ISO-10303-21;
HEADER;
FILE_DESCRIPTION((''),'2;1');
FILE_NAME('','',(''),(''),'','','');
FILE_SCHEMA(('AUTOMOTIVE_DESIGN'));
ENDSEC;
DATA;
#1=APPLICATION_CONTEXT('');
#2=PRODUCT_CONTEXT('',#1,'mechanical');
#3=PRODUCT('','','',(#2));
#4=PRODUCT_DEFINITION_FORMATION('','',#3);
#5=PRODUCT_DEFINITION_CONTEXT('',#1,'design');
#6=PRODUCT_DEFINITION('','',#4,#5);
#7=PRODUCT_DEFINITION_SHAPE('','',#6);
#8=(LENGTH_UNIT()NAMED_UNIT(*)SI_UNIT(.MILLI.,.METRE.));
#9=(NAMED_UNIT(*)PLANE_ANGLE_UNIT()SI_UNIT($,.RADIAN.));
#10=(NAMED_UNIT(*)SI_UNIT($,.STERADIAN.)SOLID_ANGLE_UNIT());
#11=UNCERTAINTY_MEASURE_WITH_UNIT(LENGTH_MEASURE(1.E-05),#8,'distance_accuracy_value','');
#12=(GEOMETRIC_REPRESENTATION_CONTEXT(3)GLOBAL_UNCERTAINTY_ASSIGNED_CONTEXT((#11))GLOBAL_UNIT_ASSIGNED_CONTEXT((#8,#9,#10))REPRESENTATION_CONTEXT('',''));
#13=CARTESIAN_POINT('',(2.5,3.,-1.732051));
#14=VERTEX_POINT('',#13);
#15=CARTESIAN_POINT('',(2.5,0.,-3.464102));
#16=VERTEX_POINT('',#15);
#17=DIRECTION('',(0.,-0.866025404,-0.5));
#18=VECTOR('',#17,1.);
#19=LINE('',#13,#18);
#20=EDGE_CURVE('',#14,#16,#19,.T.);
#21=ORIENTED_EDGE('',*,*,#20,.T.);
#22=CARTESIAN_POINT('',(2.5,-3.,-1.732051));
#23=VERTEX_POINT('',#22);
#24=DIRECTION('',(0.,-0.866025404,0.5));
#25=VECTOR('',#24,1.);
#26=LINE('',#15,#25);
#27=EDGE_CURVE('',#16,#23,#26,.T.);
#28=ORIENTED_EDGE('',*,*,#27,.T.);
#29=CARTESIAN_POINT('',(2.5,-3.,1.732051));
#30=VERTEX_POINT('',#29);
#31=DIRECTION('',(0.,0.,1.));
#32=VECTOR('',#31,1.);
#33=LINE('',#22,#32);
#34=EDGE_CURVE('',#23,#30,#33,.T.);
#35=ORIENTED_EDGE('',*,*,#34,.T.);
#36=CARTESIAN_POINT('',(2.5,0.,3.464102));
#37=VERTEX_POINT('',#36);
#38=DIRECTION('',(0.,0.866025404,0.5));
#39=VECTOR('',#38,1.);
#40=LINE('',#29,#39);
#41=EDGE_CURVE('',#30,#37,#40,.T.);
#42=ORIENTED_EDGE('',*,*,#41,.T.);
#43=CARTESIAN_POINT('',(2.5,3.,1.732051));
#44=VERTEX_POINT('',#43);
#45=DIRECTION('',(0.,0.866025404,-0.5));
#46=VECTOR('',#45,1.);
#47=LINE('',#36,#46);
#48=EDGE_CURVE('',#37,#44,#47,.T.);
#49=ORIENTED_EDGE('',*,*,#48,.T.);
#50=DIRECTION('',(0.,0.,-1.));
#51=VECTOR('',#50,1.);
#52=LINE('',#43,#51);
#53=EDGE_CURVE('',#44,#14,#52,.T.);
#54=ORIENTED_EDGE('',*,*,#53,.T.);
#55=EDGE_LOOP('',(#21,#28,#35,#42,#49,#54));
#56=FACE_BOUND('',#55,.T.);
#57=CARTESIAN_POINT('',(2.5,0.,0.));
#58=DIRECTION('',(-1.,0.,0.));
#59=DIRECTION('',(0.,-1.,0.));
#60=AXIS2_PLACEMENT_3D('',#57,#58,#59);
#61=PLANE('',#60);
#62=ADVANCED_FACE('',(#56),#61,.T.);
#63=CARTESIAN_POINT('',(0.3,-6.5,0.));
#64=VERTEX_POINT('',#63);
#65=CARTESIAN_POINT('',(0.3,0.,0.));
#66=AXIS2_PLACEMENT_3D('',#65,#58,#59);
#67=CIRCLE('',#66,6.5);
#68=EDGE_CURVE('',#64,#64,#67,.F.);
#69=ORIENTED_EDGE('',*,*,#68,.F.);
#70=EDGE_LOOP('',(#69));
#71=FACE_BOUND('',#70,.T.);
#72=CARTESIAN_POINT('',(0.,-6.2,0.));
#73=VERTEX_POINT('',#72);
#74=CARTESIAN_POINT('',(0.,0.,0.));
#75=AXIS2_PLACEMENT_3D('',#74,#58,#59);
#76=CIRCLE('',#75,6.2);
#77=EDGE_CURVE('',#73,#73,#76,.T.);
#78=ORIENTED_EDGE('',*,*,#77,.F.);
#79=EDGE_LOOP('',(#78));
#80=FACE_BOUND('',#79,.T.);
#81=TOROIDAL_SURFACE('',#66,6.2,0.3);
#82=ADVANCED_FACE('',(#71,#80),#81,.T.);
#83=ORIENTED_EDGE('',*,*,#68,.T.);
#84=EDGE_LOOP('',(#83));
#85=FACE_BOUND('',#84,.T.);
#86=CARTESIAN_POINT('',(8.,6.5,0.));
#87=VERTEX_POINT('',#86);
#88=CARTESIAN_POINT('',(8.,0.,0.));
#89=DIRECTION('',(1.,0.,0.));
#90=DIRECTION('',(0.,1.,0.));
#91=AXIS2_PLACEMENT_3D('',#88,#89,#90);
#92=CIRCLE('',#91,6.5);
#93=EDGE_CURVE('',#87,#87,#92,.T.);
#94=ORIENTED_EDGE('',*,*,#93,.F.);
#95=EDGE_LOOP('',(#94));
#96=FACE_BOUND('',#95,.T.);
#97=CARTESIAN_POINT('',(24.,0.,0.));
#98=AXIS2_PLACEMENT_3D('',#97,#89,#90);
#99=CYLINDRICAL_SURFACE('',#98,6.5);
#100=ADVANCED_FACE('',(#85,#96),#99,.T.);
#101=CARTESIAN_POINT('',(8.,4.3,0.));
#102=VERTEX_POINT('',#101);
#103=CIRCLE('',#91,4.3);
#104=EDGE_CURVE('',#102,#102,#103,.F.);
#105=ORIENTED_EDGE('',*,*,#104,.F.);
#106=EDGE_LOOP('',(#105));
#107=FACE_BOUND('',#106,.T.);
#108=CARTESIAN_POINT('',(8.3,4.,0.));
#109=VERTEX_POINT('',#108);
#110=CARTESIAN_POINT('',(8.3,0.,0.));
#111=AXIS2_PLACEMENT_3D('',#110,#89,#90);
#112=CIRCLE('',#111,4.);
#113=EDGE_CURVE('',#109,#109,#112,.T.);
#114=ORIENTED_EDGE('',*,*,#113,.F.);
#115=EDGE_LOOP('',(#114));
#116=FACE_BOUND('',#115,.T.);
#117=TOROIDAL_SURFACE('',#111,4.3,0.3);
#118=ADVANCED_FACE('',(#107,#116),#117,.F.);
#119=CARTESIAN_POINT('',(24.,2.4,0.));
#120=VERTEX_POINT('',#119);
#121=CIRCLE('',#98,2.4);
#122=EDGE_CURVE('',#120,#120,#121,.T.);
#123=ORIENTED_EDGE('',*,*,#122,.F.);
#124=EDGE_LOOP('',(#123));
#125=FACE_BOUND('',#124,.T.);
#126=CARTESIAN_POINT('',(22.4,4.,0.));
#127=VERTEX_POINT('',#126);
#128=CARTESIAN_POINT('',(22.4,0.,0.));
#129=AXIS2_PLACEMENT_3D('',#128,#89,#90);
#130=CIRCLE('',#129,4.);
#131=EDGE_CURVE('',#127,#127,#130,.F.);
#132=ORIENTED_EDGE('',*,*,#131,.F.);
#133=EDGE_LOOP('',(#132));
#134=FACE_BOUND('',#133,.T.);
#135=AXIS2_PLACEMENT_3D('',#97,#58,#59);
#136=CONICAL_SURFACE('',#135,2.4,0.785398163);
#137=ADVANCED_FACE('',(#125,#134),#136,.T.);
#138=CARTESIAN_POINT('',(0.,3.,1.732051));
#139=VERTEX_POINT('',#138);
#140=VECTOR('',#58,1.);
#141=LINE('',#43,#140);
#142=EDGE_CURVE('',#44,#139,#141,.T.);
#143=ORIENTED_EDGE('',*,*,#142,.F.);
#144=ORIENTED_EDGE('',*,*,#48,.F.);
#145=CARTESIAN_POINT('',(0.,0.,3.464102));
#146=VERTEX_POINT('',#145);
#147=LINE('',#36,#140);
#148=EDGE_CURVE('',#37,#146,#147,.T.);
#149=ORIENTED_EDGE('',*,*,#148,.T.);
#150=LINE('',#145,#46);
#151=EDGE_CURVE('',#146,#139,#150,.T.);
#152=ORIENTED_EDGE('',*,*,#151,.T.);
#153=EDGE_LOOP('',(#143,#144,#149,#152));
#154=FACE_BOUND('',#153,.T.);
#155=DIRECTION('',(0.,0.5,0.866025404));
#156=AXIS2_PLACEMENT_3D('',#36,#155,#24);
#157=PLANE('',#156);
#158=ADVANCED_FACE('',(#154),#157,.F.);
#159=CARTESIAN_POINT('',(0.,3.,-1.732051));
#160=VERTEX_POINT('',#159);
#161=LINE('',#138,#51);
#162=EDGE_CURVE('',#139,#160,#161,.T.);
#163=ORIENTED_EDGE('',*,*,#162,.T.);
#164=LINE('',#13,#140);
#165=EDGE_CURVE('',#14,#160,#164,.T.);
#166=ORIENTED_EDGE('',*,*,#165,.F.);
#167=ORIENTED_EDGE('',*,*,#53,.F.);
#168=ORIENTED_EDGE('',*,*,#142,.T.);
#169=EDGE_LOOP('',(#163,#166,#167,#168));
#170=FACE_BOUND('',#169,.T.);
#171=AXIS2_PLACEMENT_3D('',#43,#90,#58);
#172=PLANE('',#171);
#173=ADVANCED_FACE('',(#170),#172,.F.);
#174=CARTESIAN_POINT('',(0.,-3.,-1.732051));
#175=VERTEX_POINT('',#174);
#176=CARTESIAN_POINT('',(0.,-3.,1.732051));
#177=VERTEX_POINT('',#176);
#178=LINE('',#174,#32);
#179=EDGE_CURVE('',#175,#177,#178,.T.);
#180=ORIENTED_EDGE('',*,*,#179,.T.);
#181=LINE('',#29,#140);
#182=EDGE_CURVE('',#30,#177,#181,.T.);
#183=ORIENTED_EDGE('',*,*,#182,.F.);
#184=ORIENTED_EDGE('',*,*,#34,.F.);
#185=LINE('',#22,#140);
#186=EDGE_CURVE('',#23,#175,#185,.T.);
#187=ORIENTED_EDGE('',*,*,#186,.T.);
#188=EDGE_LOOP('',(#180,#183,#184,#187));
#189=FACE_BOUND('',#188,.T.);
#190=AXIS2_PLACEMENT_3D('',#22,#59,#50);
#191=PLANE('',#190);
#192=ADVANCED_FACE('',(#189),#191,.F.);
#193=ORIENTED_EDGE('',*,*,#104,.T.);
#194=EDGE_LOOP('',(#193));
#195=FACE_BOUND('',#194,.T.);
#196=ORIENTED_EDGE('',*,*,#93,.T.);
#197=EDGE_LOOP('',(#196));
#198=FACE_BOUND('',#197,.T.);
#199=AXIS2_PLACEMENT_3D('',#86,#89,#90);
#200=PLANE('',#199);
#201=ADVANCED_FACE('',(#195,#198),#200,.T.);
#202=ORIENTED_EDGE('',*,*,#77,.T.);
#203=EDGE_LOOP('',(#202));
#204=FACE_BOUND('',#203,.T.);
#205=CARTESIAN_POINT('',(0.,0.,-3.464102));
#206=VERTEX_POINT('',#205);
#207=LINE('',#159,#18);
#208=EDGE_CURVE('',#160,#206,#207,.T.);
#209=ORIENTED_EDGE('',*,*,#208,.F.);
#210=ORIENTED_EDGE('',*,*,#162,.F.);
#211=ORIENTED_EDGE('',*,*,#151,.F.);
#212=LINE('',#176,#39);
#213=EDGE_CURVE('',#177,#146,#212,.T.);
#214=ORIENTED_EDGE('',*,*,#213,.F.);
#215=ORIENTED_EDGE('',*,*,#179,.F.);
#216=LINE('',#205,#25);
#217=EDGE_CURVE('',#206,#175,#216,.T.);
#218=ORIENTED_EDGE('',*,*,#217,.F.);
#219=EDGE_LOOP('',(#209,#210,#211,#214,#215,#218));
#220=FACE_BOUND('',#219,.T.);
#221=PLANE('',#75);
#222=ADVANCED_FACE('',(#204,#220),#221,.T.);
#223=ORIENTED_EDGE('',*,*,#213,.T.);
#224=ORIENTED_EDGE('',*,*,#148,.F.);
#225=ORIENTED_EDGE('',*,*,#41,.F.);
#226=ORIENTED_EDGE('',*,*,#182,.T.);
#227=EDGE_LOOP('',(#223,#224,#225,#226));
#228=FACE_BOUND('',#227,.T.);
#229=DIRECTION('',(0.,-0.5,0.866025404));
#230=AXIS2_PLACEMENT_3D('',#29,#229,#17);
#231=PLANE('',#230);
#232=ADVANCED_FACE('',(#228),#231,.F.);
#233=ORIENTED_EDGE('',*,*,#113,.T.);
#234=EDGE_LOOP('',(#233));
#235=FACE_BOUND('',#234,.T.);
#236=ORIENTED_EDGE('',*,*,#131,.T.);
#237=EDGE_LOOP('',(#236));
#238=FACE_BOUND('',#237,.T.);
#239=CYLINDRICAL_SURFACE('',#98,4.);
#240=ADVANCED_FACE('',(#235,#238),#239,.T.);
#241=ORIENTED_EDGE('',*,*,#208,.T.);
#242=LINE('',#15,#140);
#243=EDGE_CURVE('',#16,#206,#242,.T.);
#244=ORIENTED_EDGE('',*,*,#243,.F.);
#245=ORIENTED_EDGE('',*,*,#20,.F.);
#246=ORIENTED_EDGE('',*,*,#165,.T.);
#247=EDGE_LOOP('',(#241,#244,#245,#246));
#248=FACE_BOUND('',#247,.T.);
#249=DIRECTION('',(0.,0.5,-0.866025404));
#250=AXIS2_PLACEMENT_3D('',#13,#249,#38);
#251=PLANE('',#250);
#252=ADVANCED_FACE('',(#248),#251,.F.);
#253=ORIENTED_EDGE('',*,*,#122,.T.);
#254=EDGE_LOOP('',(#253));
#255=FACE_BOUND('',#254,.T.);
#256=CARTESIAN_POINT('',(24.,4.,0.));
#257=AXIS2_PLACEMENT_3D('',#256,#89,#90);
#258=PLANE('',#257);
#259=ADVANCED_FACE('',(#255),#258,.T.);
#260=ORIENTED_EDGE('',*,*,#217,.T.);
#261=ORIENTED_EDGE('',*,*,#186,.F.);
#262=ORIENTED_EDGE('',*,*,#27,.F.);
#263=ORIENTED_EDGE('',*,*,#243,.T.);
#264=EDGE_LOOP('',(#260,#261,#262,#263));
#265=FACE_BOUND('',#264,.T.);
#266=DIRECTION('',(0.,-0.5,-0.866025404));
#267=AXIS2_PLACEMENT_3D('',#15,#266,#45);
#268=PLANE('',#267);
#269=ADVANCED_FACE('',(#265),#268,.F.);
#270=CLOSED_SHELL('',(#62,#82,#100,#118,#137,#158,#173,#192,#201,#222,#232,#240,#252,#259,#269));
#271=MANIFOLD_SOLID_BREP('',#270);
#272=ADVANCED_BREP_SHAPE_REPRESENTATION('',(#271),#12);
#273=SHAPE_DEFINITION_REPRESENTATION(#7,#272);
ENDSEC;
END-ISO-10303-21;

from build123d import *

# Parameters (mm, degrees)
CUT_EXTRUDE_1_DEPTH = 2.5
FILLET_1_R          = 0.3
CHAMFER_1_SIZE      = 1.6


with BuildPart() as part:
    # Эскиз1 → Повернуть1 (revolve)
    with BuildSketch(Plane.XY):
        Polygon((0, 0), (0, 6.5), (8, 6.5), (8, 4), (24, 4), (24, 0), align=None)
    revolve(axis=Axis((24, 0, 0), (-1, 0, 0)))

    # Эскиз2 → Вырез-Вытянуть1 (cut)
    with BuildSketch(Plane.ZY):
        Polygon((-1.732050808, 3), (-3.464101615, 0), (-1.732050808, -3), (1.732050808, -3), (3.464101615, 0), (1.732050808, 3), align=None)
    extrude(amount=-CUT_EXTRUDE_1_DEPTH, mode=Mode.SUBTRACT)

    # Скругление1
    fillet_1_edges = [part.edges().sort_by_distance(p)[0] for p in [
        (8, -4, 0),
        (0, -6.5, 0),
    ]]
    fillet(fillet_1_edges, radius=FILLET_1_R)

    # Фаска1
    chamfer_1_edges = [part.edges().sort_by_distance(p)[0] for p in [
        (24, -4, 0),
    ]]
    chamfer(chamfer_1_edges, length=CHAMFER_1_SIZE)


solid = part.part
